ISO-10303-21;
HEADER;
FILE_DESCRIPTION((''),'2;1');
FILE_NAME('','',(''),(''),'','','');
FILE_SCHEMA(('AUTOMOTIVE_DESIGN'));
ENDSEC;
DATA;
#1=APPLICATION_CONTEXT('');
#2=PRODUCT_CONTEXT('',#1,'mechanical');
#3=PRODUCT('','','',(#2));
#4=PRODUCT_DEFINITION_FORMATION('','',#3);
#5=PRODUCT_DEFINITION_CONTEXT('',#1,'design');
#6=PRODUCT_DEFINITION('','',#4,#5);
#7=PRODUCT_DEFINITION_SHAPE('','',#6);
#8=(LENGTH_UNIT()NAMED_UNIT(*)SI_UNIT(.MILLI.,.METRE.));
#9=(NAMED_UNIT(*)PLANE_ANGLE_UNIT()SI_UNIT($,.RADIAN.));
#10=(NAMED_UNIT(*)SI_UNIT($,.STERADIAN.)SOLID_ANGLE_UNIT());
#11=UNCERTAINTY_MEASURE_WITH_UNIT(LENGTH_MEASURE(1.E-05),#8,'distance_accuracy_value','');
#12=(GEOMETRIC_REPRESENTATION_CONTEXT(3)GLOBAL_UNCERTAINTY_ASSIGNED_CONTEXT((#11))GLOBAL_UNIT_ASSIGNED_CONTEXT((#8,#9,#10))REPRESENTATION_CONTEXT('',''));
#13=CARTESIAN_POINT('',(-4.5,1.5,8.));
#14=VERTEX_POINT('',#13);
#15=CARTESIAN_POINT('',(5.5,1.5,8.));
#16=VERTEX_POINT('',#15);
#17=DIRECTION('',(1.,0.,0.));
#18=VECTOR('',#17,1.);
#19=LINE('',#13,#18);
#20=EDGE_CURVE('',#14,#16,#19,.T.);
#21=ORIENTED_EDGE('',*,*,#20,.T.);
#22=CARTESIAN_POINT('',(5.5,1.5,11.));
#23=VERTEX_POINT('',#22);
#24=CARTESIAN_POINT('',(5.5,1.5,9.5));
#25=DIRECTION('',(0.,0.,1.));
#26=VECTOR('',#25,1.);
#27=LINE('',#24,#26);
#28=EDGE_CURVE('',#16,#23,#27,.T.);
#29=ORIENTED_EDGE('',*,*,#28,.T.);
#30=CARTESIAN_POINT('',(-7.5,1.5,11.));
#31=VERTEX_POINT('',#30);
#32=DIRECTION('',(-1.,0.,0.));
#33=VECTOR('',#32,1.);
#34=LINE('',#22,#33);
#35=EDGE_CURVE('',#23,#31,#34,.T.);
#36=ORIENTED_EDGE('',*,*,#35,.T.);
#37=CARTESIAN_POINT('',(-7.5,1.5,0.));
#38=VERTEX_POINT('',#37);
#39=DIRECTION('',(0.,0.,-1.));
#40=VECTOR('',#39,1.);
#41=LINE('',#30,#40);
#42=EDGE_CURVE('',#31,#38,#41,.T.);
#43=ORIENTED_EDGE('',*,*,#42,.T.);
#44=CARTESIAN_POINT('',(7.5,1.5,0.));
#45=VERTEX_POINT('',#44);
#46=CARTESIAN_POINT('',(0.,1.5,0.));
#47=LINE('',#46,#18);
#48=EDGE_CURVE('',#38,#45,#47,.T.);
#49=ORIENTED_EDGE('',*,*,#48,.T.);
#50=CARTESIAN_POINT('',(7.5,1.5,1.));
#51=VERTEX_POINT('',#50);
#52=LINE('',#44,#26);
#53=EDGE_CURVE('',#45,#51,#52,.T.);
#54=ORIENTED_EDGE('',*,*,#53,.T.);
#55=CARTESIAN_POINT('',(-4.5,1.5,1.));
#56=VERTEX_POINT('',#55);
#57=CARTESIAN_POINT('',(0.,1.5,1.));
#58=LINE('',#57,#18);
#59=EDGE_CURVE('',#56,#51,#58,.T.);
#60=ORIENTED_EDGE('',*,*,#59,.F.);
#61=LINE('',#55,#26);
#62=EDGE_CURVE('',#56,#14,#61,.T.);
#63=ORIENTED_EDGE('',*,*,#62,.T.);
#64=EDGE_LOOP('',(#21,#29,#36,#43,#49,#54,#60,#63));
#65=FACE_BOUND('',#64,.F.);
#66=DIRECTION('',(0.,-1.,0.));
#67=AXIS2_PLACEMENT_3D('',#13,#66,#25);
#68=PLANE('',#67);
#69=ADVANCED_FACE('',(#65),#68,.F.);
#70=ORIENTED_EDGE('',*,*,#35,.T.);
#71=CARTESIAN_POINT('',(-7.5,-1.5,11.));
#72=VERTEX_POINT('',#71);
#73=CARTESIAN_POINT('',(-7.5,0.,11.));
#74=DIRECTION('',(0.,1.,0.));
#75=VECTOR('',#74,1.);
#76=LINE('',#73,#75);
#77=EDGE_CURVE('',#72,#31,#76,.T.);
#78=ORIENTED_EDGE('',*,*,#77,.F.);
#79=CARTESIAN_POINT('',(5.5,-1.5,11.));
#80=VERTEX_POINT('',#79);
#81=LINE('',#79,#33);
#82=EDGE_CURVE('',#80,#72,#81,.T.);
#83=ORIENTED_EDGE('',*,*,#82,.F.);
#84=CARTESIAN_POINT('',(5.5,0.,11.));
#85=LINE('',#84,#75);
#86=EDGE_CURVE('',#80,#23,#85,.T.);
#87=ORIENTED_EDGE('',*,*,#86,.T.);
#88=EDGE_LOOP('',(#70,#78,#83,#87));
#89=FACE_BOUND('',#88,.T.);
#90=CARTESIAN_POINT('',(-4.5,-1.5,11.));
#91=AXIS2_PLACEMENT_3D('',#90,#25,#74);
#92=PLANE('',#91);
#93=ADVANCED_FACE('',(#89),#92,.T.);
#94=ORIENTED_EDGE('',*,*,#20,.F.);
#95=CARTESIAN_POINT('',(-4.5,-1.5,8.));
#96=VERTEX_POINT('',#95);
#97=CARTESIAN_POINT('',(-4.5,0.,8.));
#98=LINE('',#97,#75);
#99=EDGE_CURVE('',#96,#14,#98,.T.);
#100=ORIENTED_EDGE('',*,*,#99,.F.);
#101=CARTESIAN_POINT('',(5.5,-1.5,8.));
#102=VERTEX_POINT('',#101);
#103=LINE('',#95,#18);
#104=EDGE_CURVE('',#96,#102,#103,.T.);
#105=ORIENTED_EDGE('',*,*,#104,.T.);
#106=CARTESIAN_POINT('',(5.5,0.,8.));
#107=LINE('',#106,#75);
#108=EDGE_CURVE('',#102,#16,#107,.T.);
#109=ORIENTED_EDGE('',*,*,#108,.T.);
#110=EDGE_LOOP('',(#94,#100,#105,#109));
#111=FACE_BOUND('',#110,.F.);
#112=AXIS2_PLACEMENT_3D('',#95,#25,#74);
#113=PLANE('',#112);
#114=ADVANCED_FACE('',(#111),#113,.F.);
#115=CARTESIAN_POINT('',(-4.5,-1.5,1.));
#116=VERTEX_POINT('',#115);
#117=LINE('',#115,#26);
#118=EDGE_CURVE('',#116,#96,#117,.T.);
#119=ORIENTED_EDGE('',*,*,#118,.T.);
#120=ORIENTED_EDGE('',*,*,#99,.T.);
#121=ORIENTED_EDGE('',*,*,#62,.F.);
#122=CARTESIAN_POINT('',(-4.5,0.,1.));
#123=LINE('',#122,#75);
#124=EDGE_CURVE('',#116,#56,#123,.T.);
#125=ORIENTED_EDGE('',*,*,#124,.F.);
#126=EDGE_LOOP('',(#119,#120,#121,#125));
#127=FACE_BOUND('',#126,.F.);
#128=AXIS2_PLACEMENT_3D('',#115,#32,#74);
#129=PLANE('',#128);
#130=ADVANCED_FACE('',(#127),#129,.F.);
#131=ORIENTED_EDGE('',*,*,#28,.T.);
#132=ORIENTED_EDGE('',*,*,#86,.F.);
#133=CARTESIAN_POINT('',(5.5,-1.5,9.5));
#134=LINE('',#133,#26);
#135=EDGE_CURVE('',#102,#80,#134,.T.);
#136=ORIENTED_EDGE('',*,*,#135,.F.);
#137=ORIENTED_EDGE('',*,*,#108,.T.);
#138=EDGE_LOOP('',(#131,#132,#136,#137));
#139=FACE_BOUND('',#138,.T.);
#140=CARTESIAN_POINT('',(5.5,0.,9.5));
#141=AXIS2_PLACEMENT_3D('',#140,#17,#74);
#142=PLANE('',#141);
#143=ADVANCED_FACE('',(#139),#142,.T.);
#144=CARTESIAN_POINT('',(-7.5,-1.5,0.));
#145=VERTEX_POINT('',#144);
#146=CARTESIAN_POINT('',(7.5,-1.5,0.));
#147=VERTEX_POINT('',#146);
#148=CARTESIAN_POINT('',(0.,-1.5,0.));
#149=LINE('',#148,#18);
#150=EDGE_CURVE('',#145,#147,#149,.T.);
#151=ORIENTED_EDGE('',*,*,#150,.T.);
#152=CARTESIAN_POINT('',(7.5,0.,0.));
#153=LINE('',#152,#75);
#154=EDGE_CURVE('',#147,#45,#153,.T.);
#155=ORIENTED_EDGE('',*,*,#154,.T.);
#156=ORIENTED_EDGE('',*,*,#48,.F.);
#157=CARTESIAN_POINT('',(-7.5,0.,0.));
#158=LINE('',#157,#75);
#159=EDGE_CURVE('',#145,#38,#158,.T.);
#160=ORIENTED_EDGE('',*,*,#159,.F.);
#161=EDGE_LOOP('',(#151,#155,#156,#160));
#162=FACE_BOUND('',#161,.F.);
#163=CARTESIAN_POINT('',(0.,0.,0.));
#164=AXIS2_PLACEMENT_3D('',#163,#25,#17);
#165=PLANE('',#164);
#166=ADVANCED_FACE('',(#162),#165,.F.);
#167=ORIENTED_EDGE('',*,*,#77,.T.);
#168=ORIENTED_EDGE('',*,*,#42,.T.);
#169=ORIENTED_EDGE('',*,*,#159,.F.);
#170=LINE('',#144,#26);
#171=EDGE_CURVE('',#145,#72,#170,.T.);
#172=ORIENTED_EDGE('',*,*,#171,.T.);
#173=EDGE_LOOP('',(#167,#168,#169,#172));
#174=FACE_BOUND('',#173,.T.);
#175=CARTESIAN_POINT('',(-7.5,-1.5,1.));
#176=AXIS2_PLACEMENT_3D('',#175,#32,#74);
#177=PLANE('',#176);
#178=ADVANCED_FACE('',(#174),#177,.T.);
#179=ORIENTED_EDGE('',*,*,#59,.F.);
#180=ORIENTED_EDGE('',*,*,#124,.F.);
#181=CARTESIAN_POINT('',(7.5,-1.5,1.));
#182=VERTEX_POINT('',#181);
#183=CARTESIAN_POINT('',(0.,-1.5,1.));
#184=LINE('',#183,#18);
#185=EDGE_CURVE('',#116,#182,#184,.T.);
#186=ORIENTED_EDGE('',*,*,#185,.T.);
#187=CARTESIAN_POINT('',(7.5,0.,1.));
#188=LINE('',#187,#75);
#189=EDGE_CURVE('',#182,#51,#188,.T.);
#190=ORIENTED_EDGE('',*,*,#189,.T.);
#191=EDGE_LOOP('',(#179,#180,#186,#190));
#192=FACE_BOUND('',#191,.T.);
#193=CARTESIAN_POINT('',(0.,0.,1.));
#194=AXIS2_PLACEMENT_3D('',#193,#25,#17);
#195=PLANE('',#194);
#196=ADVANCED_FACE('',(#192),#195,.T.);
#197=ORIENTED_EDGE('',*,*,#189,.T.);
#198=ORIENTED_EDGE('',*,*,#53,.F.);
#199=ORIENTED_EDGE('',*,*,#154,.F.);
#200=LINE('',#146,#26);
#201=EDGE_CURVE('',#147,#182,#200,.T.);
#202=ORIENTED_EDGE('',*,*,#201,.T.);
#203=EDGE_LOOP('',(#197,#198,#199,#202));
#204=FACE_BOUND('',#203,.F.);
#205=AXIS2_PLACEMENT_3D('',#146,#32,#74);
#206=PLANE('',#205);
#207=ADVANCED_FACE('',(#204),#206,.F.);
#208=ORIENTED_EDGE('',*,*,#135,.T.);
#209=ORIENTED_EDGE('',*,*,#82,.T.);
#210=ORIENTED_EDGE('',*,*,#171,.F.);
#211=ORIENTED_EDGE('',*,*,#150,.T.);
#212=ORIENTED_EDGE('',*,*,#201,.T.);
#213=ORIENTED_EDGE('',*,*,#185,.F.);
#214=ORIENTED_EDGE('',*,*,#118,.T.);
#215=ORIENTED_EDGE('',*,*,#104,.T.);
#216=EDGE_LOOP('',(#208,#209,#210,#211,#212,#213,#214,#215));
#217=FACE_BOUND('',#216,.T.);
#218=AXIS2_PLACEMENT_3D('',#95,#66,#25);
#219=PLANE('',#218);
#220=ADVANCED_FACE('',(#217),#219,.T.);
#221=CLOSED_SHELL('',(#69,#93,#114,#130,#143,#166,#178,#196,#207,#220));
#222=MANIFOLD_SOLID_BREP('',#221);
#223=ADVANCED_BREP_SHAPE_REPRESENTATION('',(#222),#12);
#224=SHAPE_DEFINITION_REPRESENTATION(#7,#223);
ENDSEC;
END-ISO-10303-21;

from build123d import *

# Parameters (mm, degrees)
F0_W     = 15
F0_H     = 3
F1_DEPTH = 1
F2_W     = 3
F2_H     = 3
F3_DEPTH = 10
F4_W     = 3
F4_H     = 3
F5_DEPTH = 10


with BuildPart() as f1:
    # F0 (on Top) → F1 (new body)
    with BuildSketch(Plane.XY):
        Rectangle(F0_W, F0_H)
    extrude(amount=F1_DEPTH)

    # F2 (on face) → F3 (join)
    with BuildSketch(Plane.XY.offset(1)):
        with Locations((-6, 0)):
            Rectangle(F2_W, F2_H)
    extrude(amount=F3_DEPTH)

    # F4 (on face) → F5 (join)
    with BuildSketch(Plane.YZ.offset(-4.5)):
        with Locations((0, 9.5)):
            Rectangle(F4_W, F4_H)
    extrude(amount=F5_DEPTH)


solid = f1.part
